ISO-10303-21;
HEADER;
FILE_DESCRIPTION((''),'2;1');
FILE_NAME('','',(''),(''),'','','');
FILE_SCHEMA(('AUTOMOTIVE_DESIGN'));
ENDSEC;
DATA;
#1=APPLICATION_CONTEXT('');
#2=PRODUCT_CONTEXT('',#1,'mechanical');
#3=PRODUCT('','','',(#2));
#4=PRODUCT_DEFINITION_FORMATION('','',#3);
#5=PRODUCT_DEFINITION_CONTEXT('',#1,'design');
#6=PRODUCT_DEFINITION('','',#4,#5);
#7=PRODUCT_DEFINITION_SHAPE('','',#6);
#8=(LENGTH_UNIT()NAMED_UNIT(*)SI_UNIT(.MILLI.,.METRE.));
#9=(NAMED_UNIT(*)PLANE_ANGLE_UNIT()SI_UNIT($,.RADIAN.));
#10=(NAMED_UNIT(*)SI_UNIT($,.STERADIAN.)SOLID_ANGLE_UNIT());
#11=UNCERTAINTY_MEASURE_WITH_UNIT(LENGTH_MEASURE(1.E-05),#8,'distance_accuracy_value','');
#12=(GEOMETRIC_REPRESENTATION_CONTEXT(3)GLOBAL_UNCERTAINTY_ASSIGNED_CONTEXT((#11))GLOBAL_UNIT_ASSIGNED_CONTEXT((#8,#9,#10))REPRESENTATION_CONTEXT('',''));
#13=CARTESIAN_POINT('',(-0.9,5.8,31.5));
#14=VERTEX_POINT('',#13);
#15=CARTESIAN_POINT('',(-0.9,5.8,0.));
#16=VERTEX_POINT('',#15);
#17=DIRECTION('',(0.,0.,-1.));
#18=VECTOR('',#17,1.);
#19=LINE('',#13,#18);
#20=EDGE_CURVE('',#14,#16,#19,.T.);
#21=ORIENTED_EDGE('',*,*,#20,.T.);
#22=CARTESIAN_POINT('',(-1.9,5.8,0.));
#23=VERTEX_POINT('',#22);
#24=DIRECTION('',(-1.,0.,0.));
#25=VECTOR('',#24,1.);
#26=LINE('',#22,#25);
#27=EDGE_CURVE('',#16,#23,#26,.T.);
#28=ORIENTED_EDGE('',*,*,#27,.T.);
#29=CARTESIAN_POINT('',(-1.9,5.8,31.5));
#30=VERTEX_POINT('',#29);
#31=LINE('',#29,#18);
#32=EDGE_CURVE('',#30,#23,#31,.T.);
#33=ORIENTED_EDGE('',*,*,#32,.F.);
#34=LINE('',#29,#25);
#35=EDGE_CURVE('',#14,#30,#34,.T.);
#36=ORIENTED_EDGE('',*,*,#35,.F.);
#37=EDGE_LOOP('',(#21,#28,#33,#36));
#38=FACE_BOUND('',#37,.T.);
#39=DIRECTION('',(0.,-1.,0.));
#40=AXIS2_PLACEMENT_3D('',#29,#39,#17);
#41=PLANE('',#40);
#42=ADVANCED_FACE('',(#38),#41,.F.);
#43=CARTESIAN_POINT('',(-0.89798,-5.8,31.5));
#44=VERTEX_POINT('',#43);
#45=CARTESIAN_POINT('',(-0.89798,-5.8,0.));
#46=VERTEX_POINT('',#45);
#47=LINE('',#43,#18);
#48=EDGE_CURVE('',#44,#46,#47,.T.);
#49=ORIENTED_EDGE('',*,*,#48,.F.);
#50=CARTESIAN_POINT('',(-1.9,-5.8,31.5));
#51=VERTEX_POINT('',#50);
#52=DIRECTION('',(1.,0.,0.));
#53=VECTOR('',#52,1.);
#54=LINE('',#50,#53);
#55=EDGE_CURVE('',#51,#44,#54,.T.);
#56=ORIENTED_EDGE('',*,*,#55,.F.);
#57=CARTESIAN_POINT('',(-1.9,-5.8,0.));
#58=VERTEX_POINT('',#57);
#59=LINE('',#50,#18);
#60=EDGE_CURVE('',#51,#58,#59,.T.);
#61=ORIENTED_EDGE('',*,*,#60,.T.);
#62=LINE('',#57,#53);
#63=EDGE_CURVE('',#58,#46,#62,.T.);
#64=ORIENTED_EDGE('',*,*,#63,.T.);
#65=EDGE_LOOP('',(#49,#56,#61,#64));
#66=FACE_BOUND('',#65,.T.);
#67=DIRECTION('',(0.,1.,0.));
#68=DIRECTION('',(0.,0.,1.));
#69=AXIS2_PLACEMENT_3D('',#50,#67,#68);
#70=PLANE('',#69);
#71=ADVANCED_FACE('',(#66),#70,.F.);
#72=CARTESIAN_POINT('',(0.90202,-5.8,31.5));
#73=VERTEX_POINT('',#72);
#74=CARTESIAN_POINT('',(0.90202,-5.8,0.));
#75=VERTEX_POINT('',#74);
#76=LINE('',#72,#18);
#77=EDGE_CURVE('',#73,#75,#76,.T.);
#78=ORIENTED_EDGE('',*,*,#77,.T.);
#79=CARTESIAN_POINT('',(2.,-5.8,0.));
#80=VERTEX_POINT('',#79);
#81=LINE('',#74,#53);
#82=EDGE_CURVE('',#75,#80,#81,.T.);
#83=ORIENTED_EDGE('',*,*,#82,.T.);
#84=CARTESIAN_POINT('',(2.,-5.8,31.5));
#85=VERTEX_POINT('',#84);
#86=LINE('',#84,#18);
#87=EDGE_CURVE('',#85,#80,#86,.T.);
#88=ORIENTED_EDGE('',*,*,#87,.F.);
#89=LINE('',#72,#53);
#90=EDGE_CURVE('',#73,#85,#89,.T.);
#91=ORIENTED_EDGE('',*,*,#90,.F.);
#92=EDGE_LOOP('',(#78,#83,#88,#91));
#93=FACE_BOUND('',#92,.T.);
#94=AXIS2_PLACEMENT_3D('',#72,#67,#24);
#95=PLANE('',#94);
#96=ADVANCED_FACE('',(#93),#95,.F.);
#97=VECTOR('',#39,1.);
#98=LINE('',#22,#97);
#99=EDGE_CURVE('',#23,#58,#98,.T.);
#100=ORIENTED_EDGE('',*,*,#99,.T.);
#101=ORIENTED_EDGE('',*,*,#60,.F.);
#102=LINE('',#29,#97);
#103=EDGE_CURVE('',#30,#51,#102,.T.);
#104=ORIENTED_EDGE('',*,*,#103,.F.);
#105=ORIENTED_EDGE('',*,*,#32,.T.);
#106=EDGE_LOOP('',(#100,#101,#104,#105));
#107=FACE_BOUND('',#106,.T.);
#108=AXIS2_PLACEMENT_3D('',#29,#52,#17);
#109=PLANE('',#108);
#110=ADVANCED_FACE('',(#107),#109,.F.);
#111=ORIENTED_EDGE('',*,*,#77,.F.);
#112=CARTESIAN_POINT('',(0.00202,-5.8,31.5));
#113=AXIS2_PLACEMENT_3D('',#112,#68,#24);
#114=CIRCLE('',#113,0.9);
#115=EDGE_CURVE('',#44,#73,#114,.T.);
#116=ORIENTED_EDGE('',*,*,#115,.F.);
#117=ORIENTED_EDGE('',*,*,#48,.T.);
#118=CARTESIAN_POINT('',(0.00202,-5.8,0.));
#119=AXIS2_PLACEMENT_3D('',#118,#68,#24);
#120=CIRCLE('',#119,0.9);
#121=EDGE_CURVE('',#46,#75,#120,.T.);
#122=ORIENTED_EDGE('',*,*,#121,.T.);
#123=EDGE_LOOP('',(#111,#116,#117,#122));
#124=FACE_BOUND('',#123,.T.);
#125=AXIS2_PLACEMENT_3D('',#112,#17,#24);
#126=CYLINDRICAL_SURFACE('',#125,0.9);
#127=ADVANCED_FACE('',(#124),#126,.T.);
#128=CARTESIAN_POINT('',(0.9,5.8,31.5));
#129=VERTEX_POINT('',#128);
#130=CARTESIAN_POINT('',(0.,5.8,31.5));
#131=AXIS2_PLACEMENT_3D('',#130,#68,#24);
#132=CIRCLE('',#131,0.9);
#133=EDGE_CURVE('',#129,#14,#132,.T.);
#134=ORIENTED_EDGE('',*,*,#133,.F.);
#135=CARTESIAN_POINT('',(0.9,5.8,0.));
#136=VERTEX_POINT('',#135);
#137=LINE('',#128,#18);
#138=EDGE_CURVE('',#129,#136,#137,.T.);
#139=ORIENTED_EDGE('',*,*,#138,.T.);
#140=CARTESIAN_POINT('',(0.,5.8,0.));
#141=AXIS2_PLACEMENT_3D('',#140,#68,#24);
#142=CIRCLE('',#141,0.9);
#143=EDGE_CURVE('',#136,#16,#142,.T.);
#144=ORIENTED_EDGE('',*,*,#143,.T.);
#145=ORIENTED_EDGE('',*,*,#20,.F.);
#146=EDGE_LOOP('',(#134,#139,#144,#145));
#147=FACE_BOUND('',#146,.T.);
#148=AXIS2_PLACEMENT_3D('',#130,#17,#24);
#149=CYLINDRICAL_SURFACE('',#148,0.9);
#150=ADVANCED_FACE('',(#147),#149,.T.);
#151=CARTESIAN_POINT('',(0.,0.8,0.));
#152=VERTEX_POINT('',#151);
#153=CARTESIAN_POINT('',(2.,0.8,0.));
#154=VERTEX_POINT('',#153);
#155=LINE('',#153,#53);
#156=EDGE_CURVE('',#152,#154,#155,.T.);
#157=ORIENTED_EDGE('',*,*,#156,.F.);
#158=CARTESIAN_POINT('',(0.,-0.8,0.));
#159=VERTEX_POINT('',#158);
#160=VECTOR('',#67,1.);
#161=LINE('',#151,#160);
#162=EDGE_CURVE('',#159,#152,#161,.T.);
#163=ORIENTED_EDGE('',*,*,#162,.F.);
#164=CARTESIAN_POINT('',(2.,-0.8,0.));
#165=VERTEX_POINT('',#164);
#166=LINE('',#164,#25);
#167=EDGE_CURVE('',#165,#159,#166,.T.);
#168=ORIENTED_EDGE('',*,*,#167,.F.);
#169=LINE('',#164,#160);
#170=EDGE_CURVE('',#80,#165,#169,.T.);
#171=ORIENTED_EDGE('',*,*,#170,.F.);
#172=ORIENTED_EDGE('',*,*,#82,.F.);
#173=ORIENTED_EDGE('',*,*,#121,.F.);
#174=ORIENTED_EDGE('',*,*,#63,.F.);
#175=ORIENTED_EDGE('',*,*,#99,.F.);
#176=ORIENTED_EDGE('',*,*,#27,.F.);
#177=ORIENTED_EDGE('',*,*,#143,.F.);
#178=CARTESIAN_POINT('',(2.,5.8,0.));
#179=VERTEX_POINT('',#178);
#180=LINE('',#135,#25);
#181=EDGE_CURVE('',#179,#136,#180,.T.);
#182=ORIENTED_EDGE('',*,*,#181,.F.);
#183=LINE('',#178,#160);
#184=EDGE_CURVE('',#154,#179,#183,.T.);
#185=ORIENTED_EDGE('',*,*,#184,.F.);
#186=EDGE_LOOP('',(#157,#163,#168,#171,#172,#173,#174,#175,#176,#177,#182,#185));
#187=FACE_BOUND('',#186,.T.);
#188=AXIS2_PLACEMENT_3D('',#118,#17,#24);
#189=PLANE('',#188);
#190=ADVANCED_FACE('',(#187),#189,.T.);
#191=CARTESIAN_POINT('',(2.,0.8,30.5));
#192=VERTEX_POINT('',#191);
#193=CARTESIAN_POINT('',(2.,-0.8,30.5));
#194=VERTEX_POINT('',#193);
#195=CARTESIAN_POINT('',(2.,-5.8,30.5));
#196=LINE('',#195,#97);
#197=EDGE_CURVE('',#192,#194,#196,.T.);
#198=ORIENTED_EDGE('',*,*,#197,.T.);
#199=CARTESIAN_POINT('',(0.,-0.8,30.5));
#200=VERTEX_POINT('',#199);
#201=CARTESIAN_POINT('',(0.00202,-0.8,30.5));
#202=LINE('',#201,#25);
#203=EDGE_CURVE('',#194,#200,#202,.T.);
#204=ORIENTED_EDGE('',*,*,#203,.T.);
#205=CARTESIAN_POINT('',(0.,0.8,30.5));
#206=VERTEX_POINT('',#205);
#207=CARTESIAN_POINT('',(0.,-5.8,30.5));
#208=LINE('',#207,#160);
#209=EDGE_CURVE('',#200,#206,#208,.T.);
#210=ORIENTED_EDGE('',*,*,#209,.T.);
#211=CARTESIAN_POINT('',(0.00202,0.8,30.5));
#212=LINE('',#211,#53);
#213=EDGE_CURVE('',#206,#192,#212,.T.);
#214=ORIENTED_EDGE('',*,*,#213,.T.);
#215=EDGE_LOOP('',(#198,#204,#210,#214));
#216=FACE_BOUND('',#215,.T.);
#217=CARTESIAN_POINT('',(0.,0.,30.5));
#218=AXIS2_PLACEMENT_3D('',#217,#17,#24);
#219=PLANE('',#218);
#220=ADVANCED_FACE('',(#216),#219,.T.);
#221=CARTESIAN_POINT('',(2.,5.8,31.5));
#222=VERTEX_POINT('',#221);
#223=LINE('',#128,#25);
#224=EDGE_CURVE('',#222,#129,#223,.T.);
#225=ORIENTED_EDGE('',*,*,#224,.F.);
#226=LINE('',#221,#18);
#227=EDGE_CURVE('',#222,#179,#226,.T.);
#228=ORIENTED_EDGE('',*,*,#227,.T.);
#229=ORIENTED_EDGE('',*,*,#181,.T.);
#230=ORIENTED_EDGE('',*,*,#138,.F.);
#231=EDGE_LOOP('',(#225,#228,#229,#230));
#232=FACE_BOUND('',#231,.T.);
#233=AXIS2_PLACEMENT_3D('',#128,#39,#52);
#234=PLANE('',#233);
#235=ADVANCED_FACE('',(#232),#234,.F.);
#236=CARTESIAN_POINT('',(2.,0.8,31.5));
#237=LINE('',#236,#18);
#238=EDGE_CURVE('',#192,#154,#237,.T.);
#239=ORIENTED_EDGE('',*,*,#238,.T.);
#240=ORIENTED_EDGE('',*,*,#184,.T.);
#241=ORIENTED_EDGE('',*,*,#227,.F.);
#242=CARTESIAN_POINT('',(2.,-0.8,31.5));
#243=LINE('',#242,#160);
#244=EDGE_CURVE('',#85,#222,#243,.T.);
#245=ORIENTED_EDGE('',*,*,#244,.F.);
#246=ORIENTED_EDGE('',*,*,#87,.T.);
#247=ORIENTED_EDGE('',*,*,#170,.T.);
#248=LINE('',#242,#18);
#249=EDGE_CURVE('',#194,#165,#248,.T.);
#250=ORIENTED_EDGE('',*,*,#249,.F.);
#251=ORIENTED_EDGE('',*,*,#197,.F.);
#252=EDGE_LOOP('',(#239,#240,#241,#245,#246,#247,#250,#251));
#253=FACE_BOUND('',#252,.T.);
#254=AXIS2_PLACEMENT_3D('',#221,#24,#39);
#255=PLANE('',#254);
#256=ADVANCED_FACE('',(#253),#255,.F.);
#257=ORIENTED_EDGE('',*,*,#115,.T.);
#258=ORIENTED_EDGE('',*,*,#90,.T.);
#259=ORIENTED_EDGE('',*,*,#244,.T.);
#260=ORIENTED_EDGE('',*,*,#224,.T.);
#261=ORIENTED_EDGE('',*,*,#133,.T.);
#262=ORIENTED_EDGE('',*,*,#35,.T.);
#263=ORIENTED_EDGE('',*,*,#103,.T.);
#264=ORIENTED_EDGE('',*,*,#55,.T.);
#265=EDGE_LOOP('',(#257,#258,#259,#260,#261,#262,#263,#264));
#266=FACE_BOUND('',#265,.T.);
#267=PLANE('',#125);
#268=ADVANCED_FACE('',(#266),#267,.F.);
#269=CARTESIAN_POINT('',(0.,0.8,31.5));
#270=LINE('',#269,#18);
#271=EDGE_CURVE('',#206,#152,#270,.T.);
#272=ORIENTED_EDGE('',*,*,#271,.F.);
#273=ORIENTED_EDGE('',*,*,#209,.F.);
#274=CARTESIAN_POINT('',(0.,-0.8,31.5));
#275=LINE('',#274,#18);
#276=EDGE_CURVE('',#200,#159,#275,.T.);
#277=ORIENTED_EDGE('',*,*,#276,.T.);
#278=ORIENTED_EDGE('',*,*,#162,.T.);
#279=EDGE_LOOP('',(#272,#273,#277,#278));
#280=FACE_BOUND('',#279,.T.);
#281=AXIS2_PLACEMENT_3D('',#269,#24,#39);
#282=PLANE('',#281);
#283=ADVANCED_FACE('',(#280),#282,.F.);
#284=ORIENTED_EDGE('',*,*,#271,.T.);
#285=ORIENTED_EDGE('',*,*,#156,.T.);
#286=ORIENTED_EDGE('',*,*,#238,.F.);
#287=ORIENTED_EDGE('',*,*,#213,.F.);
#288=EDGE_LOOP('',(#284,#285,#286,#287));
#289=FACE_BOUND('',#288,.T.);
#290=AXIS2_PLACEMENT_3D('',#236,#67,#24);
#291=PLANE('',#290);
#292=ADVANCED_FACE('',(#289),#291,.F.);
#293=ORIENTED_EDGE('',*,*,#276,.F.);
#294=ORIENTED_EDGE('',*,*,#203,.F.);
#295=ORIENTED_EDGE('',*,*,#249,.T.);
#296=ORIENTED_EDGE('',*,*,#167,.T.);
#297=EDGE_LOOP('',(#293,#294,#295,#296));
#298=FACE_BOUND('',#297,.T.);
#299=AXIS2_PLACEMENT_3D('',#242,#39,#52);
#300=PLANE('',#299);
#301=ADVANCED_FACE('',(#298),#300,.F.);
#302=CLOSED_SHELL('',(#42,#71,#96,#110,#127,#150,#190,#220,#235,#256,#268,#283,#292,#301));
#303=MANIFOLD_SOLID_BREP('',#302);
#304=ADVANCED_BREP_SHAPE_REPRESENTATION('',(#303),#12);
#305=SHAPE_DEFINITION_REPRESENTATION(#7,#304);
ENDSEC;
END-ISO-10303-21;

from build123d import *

# Parameters (mm, degrees)
BOSS_EXTRUDE1_DEPTH = 31.5
BOSS_EXTRUDE2_START = -31.5
SKETCH2_W           = 2
SKETCH2_H           = 1.6
BOSS_EXTRUDE2_DEPTH = 1


with BuildPart() as part:
    # Sketch1 → Boss-Extrude1 (new body)
    with BuildSketch(Plane.XY):
        with BuildLine():
            Line((-1.9, 5.8), (-0.9, 5.8))
            ThreePointArc((-0.9, 5.8), (0, 6.7), (0.9, 5.8))
            Line((0.9, 5.8), (2, 5.8))
            Line((2, 5.8), (2, 0.8))
            Line((2, 0.8), (0, 0.8))
            Line((0, 0.8), (0, -0.8))
            Line((0, -0.8), (2, -0.8))
            Line((2, -0.8), (2, -5.8))
            Line((2, -5.8), (0.90202041, -5.8))
            ThreePointArc((0.90202041, -5.8), (0.00202041, -6.7), (-0.89797959, -5.8))
            Line((-0.89797959, -5.8), (-1.9, -5.8))
            Line((-1.9, -5.8), (-1.9, 5.8))
        make_face()
    extrude(amount=BOSS_EXTRUDE1_DEPTH)

    # Sketch2 → Boss-Extrude2 (add)
    with BuildSketch(Plane(origin=(0, 0, 0), x_dir=(-1, 0, 0), z_dir=(0, 0, -1)).offset(BOSS_EXTRUDE2_START)):
        with Locations((-1, 0)):
            Rectangle(SKETCH2_W, SKETCH2_H)
    extrude(amount=BOSS_EXTRUDE2_DEPTH)


solid = part.part
